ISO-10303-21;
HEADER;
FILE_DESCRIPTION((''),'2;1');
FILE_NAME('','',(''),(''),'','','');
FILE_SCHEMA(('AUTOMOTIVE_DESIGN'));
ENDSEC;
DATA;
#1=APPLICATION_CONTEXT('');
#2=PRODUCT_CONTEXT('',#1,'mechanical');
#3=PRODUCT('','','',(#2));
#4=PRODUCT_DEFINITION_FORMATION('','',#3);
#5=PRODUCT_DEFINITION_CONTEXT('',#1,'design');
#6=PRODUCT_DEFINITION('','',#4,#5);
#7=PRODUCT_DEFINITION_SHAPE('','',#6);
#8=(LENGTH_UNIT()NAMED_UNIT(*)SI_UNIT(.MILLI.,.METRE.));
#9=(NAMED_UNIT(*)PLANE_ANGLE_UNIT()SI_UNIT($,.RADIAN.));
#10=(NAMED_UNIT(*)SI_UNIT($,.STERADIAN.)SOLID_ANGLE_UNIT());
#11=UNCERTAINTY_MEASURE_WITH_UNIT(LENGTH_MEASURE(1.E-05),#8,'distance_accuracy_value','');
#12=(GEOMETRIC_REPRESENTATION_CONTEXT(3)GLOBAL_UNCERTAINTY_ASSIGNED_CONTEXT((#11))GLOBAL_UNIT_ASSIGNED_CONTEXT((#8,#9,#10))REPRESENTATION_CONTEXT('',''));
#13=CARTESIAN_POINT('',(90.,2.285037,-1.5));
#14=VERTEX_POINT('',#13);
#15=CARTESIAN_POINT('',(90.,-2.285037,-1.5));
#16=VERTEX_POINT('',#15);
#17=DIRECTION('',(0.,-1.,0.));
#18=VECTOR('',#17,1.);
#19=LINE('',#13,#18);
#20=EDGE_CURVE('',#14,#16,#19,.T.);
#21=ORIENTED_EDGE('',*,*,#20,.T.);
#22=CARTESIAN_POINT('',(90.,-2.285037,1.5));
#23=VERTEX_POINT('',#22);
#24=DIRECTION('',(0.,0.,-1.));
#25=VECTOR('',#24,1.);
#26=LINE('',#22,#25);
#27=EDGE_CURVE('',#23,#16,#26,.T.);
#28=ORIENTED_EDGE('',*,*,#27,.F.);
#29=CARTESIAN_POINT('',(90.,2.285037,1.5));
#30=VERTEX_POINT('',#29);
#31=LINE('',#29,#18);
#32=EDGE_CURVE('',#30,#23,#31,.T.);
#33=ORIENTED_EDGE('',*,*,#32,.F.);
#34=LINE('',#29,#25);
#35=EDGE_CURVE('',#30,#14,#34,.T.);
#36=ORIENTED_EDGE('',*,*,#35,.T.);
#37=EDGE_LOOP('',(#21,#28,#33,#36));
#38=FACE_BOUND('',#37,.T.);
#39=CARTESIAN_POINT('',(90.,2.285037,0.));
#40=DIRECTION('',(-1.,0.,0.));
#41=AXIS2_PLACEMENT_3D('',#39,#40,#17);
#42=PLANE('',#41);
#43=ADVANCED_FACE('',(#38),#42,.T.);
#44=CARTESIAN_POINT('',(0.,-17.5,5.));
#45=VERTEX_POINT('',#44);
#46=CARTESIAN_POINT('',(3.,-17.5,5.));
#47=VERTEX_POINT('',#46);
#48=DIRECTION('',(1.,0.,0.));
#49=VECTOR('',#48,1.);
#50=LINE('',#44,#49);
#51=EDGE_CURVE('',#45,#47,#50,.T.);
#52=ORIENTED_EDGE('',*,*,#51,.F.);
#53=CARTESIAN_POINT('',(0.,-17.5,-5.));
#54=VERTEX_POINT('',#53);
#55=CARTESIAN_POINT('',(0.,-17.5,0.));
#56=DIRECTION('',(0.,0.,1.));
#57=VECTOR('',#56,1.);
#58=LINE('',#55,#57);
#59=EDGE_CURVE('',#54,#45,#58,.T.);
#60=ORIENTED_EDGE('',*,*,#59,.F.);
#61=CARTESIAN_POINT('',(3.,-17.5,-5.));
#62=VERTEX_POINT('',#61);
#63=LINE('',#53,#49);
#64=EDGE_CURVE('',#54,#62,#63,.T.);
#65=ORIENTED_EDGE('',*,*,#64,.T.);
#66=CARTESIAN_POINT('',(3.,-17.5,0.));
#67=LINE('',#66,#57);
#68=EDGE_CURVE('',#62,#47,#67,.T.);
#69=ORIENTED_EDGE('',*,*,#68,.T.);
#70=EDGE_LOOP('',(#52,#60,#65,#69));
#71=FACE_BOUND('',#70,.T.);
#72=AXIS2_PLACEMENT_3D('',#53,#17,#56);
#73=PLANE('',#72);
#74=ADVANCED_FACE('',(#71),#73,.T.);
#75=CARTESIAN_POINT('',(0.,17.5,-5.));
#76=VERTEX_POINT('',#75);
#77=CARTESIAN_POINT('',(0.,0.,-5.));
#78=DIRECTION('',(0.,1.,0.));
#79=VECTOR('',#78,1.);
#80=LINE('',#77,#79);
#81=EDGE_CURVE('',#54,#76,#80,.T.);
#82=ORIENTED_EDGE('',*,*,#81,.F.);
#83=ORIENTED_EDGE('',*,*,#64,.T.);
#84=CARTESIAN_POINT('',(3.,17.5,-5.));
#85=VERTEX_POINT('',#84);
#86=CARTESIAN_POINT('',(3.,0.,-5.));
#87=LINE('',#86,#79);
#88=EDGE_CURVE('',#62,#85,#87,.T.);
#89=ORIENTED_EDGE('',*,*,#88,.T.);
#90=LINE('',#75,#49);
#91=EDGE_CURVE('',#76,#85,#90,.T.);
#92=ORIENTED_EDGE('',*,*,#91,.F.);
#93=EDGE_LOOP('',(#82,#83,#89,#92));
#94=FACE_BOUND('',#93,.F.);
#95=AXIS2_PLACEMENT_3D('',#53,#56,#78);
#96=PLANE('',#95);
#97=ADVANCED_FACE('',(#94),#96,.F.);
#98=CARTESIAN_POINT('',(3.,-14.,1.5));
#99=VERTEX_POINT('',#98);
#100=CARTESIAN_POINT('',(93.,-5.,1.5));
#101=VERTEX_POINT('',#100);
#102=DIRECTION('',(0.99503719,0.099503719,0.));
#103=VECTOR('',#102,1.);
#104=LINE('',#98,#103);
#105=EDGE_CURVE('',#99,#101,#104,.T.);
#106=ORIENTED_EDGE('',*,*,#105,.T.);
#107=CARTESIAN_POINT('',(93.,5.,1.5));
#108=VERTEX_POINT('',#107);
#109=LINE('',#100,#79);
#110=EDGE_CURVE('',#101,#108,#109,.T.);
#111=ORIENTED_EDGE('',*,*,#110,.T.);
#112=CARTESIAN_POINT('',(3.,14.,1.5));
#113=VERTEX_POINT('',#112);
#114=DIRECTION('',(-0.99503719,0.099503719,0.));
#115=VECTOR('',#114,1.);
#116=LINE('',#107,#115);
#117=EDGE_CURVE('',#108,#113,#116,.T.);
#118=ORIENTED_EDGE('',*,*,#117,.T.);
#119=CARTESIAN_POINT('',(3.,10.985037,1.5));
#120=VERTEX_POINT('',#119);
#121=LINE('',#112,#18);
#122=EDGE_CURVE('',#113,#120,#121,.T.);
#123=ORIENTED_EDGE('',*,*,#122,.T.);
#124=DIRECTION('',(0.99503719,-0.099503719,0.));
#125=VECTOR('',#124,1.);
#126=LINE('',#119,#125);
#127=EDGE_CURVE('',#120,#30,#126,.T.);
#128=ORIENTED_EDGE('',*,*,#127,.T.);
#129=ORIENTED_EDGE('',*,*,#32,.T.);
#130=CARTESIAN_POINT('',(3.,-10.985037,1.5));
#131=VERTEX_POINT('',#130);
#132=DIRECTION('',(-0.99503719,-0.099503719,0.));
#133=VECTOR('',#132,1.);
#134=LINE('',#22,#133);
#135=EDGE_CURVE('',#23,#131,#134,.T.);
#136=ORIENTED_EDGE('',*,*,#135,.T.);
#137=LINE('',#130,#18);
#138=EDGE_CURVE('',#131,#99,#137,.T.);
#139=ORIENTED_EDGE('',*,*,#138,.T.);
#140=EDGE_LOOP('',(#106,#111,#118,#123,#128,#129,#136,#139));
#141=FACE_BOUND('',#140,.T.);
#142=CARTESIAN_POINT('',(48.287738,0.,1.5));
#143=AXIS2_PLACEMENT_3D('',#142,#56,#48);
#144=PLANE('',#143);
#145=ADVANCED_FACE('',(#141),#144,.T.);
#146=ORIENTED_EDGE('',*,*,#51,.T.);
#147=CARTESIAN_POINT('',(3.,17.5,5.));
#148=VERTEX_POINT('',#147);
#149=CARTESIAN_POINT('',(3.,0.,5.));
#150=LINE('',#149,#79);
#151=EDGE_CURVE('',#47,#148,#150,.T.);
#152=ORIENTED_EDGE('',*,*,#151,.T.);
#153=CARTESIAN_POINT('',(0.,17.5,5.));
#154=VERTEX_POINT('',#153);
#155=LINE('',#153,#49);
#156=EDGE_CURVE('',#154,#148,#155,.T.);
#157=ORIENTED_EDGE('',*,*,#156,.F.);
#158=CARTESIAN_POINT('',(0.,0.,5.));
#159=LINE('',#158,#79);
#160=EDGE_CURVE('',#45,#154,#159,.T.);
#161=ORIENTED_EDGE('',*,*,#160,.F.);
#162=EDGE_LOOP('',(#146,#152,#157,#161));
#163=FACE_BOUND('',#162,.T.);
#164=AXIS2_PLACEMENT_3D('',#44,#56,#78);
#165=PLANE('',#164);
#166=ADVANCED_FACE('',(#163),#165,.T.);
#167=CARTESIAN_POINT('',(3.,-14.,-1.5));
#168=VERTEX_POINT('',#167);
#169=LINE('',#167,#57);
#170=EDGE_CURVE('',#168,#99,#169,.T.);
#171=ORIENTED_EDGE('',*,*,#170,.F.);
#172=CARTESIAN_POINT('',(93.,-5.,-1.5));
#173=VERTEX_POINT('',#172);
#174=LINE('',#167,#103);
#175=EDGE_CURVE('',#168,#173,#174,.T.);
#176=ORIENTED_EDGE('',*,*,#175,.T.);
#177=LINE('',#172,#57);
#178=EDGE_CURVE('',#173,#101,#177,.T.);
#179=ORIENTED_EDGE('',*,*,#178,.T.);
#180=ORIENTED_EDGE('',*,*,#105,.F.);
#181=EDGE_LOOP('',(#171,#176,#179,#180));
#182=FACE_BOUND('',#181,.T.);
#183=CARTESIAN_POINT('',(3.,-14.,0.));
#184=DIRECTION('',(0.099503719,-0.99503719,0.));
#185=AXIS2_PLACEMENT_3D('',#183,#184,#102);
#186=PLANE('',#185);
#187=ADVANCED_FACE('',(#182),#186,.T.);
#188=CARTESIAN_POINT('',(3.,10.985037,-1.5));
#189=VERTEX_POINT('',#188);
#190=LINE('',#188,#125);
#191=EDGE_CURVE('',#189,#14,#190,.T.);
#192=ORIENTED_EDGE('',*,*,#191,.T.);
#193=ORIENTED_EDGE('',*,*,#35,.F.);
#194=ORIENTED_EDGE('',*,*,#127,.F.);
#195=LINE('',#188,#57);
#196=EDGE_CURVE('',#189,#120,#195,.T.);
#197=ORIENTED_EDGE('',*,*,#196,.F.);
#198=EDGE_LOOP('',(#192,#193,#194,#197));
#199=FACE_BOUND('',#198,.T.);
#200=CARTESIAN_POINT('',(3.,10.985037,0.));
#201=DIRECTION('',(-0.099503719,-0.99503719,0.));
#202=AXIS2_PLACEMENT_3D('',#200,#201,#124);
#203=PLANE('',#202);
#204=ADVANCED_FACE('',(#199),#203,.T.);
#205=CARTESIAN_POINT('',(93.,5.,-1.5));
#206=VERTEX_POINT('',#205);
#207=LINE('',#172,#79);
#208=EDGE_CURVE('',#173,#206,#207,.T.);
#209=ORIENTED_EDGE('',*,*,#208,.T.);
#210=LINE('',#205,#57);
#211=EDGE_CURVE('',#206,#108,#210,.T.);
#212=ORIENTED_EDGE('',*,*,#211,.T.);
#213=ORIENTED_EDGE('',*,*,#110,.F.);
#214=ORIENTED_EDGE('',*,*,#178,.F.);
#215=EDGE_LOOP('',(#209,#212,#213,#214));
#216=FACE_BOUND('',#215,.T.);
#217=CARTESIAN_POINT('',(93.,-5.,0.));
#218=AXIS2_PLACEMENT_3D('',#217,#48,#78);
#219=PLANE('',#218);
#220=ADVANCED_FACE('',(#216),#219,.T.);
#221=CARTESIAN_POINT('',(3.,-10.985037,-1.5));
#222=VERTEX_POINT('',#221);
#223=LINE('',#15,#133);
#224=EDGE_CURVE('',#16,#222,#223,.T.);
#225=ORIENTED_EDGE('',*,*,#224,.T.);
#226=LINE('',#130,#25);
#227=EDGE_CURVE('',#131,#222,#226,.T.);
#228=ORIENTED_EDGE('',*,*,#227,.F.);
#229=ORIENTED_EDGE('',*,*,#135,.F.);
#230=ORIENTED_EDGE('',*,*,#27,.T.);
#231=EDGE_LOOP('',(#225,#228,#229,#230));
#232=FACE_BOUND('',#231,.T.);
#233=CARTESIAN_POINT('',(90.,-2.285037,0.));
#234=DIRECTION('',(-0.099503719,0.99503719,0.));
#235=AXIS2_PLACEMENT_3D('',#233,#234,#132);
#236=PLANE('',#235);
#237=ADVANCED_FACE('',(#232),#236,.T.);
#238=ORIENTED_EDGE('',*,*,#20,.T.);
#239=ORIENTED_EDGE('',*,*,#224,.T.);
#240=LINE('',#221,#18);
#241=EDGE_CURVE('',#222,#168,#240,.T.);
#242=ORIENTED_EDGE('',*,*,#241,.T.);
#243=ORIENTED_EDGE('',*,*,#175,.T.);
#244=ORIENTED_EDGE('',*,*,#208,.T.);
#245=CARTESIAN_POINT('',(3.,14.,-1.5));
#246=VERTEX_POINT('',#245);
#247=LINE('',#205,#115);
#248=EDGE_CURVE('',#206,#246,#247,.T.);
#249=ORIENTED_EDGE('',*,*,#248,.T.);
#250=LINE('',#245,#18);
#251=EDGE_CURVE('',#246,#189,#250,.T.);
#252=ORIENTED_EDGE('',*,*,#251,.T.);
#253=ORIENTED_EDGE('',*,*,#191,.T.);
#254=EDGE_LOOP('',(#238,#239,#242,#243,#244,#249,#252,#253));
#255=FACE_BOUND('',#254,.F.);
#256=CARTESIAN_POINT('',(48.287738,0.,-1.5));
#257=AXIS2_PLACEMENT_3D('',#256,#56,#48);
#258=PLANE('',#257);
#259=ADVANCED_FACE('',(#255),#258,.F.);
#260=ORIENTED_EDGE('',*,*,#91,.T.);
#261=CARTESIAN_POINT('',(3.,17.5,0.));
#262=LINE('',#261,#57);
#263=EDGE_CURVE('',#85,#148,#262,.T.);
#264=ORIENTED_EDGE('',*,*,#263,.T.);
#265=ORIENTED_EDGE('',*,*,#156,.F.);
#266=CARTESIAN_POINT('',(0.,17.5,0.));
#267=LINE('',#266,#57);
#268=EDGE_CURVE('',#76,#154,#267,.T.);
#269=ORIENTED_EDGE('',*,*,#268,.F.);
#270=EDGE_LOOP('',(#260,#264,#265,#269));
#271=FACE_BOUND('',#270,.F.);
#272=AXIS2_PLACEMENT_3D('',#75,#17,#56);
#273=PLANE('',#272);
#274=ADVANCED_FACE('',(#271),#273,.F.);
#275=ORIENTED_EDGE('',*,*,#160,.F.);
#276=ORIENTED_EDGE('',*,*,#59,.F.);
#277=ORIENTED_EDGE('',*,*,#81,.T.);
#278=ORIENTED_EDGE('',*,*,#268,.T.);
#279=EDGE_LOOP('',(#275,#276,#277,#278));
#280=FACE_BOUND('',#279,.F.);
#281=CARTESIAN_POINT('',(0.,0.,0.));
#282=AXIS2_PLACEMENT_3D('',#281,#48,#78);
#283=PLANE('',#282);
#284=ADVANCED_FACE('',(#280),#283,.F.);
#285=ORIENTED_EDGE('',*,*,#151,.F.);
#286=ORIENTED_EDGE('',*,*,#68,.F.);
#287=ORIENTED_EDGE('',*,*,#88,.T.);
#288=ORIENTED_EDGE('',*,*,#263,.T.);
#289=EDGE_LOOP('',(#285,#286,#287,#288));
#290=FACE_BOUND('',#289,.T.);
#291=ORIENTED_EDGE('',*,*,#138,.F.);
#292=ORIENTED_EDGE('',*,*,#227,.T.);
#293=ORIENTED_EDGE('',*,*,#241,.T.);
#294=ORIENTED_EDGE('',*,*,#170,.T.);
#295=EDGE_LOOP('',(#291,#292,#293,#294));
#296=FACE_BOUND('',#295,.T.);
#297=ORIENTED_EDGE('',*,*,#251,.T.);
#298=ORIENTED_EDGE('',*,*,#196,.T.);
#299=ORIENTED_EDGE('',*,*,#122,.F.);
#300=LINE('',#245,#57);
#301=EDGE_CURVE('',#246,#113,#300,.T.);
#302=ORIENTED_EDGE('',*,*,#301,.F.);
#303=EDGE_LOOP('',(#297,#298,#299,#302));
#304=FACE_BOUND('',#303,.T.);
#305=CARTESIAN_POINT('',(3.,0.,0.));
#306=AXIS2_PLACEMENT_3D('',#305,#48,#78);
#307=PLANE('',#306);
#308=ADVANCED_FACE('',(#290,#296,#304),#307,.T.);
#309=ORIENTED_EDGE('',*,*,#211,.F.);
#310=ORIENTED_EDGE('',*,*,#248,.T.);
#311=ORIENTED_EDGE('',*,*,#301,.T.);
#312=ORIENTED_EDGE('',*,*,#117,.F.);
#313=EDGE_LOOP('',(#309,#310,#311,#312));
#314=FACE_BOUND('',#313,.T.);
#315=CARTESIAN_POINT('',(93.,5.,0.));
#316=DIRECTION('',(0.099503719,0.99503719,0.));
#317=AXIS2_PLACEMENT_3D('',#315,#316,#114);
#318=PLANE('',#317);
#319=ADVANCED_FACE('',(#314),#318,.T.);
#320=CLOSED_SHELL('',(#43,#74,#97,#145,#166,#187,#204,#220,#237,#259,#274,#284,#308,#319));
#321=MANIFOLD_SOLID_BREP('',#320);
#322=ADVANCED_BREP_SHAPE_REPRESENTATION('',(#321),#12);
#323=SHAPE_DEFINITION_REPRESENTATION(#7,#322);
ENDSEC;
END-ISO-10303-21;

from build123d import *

# Parameters (mm, degrees)
F0_W     = 35
F0_H     = 10
F1_DEPTH = 3
F3_DEPTH = 1.5


with BuildPart() as f1:
    # F0 (on Right) → F1 (new body)
    with BuildSketch(Plane.YZ):
        Rectangle(F0_W, F0_H)
    extrude(amount=F1_DEPTH)

    # F2 (on Top) → F3 (join, symmetric)
    with BuildSketch(Plane.XY):
        Polygon((3, -10.985037), (3, -14), (93, -5), (93, 5), (3, 14), (3, 10.985037), (90, 2.285037), (90, -2.285037), align=None)
    extrude(amount=F3_DEPTH, both=True)


solid = f1.part
